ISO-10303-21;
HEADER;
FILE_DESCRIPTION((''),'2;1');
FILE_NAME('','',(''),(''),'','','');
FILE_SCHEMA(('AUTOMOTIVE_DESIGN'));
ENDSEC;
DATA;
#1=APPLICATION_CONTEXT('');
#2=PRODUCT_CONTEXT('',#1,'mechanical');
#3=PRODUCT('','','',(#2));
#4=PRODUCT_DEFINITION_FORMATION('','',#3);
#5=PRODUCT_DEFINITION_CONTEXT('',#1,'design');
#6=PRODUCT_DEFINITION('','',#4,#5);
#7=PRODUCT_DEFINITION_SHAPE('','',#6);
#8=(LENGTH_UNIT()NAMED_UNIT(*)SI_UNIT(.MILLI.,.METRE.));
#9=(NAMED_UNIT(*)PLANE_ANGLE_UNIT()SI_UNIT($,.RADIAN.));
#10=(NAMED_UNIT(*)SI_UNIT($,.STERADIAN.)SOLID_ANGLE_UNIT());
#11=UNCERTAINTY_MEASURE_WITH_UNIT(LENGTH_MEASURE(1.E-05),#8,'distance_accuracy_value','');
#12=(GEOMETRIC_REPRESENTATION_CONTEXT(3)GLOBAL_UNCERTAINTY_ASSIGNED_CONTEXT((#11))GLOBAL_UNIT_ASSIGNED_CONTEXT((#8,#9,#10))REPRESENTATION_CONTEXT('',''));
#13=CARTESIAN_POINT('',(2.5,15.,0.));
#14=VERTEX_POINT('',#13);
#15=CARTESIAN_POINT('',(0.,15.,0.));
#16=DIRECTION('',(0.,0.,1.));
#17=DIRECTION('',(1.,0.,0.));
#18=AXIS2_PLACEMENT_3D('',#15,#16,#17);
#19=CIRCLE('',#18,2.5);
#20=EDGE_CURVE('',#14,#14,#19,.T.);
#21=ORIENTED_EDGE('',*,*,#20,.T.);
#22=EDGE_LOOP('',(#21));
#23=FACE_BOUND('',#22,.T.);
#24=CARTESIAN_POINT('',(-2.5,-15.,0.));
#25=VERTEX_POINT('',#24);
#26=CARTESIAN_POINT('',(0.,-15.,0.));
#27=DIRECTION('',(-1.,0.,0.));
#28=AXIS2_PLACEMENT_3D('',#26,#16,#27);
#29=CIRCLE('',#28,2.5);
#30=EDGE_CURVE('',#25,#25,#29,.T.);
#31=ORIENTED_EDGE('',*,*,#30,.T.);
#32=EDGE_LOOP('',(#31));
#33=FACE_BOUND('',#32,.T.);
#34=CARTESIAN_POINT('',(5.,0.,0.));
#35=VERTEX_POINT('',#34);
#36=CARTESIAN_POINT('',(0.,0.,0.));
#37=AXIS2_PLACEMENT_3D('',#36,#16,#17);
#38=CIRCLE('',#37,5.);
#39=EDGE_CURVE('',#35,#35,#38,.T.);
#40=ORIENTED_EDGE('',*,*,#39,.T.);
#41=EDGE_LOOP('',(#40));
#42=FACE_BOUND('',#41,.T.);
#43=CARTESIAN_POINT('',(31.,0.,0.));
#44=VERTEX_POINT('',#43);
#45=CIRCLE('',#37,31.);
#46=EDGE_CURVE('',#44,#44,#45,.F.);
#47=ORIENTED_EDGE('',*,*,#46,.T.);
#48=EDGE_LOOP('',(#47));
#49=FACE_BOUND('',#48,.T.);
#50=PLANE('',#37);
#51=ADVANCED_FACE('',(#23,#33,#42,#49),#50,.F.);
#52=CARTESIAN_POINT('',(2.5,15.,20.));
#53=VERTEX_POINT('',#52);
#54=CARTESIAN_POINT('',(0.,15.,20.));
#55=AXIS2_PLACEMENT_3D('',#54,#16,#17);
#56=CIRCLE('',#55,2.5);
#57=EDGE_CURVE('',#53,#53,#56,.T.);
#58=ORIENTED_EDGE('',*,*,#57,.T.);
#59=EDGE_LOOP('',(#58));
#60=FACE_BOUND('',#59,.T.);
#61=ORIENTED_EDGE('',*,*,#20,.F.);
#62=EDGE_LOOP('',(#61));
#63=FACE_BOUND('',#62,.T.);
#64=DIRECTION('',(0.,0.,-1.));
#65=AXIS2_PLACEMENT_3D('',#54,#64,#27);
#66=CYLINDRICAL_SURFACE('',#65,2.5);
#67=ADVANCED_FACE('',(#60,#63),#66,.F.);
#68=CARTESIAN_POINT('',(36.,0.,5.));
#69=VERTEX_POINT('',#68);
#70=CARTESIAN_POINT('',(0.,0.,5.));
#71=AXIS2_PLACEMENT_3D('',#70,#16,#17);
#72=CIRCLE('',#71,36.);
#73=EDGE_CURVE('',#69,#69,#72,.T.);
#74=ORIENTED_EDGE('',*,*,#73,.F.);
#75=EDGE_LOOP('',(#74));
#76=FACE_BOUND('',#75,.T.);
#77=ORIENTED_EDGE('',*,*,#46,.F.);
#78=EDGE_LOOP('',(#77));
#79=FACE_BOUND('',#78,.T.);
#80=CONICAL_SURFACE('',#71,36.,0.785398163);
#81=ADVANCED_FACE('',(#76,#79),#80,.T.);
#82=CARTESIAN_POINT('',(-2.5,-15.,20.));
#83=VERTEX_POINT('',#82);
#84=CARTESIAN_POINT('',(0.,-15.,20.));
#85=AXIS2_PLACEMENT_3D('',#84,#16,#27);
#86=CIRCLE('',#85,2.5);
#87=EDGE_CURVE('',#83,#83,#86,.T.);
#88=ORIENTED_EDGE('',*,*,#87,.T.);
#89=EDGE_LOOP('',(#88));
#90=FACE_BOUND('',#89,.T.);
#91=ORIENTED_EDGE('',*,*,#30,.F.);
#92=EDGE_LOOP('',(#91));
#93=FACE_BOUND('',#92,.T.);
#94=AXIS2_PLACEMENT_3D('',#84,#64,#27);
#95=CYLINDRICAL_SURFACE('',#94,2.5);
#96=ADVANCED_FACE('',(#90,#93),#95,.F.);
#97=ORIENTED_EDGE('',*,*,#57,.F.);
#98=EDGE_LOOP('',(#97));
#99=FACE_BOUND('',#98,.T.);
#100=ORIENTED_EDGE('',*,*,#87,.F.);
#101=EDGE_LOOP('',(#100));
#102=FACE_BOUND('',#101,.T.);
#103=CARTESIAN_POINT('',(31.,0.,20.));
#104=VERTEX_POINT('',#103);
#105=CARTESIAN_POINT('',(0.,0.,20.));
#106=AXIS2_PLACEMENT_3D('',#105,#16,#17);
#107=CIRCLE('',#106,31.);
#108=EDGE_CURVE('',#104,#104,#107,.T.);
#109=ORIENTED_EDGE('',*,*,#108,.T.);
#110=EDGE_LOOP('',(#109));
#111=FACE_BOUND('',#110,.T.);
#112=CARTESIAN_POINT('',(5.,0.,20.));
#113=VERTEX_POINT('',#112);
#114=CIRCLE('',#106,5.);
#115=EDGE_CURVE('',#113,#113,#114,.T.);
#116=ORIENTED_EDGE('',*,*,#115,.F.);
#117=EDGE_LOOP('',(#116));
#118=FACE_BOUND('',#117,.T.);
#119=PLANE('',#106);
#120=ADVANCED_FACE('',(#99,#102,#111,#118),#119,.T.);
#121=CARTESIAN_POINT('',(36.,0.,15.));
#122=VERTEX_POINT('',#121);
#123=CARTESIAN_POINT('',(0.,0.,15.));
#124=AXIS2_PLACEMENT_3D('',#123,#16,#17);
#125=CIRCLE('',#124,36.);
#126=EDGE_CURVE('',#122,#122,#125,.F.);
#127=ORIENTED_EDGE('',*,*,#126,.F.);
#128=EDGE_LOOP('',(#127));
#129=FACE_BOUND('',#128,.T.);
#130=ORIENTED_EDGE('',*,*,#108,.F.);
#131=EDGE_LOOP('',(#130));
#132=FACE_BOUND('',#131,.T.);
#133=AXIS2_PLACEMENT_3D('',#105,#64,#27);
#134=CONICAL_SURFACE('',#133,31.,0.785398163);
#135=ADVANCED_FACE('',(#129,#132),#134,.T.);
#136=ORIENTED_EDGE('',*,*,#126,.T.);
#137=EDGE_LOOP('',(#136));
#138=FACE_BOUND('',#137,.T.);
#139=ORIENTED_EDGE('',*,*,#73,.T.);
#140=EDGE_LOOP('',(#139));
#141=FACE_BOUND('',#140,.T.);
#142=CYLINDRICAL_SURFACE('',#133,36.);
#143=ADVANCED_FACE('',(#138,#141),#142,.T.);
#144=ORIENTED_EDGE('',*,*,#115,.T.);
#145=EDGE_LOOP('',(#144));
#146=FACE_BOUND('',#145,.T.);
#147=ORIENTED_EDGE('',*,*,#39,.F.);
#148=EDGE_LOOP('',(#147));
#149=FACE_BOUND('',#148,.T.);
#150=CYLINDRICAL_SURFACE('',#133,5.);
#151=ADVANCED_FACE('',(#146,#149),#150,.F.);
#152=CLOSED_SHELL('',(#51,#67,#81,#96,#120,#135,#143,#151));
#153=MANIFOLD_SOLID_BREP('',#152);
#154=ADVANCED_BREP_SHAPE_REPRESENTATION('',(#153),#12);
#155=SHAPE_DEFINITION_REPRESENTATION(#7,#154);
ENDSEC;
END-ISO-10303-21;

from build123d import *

# Parameters (mm, degrees)
SKETCH_1_R      = 36
SKETCH_1_R_2    = 5
SKETCH_1_R_3    = 2.5
EXTRUDE_1_DEPTH = 20
CHAMFER_1_SIZE  = 5


with BuildPart() as part:
    # 草圖1 → 填料-伸長1 (new body)
    with BuildSketch(Plane.XY):
        Circle(SKETCH_1_R)
        Circle(SKETCH_1_R_2, mode=Mode.SUBTRACT)
        with Locations((0, 15)):
            Circle(SKETCH_1_R_3, mode=Mode.SUBTRACT)
        with Locations((0, -15)):
            Circle(SKETCH_1_R_3, mode=Mode.SUBTRACT)
    extrude(amount=EXTRUDE_1_DEPTH)

    # 導角1
    chamfer_1_edges = [part.edges().sort_by_distance(p)[0] for p in [
        (-36, 0, 0),
        (-36, 0, 20),
    ]]
    chamfer(chamfer_1_edges, length=CHAMFER_1_SIZE)


solid = part.part
